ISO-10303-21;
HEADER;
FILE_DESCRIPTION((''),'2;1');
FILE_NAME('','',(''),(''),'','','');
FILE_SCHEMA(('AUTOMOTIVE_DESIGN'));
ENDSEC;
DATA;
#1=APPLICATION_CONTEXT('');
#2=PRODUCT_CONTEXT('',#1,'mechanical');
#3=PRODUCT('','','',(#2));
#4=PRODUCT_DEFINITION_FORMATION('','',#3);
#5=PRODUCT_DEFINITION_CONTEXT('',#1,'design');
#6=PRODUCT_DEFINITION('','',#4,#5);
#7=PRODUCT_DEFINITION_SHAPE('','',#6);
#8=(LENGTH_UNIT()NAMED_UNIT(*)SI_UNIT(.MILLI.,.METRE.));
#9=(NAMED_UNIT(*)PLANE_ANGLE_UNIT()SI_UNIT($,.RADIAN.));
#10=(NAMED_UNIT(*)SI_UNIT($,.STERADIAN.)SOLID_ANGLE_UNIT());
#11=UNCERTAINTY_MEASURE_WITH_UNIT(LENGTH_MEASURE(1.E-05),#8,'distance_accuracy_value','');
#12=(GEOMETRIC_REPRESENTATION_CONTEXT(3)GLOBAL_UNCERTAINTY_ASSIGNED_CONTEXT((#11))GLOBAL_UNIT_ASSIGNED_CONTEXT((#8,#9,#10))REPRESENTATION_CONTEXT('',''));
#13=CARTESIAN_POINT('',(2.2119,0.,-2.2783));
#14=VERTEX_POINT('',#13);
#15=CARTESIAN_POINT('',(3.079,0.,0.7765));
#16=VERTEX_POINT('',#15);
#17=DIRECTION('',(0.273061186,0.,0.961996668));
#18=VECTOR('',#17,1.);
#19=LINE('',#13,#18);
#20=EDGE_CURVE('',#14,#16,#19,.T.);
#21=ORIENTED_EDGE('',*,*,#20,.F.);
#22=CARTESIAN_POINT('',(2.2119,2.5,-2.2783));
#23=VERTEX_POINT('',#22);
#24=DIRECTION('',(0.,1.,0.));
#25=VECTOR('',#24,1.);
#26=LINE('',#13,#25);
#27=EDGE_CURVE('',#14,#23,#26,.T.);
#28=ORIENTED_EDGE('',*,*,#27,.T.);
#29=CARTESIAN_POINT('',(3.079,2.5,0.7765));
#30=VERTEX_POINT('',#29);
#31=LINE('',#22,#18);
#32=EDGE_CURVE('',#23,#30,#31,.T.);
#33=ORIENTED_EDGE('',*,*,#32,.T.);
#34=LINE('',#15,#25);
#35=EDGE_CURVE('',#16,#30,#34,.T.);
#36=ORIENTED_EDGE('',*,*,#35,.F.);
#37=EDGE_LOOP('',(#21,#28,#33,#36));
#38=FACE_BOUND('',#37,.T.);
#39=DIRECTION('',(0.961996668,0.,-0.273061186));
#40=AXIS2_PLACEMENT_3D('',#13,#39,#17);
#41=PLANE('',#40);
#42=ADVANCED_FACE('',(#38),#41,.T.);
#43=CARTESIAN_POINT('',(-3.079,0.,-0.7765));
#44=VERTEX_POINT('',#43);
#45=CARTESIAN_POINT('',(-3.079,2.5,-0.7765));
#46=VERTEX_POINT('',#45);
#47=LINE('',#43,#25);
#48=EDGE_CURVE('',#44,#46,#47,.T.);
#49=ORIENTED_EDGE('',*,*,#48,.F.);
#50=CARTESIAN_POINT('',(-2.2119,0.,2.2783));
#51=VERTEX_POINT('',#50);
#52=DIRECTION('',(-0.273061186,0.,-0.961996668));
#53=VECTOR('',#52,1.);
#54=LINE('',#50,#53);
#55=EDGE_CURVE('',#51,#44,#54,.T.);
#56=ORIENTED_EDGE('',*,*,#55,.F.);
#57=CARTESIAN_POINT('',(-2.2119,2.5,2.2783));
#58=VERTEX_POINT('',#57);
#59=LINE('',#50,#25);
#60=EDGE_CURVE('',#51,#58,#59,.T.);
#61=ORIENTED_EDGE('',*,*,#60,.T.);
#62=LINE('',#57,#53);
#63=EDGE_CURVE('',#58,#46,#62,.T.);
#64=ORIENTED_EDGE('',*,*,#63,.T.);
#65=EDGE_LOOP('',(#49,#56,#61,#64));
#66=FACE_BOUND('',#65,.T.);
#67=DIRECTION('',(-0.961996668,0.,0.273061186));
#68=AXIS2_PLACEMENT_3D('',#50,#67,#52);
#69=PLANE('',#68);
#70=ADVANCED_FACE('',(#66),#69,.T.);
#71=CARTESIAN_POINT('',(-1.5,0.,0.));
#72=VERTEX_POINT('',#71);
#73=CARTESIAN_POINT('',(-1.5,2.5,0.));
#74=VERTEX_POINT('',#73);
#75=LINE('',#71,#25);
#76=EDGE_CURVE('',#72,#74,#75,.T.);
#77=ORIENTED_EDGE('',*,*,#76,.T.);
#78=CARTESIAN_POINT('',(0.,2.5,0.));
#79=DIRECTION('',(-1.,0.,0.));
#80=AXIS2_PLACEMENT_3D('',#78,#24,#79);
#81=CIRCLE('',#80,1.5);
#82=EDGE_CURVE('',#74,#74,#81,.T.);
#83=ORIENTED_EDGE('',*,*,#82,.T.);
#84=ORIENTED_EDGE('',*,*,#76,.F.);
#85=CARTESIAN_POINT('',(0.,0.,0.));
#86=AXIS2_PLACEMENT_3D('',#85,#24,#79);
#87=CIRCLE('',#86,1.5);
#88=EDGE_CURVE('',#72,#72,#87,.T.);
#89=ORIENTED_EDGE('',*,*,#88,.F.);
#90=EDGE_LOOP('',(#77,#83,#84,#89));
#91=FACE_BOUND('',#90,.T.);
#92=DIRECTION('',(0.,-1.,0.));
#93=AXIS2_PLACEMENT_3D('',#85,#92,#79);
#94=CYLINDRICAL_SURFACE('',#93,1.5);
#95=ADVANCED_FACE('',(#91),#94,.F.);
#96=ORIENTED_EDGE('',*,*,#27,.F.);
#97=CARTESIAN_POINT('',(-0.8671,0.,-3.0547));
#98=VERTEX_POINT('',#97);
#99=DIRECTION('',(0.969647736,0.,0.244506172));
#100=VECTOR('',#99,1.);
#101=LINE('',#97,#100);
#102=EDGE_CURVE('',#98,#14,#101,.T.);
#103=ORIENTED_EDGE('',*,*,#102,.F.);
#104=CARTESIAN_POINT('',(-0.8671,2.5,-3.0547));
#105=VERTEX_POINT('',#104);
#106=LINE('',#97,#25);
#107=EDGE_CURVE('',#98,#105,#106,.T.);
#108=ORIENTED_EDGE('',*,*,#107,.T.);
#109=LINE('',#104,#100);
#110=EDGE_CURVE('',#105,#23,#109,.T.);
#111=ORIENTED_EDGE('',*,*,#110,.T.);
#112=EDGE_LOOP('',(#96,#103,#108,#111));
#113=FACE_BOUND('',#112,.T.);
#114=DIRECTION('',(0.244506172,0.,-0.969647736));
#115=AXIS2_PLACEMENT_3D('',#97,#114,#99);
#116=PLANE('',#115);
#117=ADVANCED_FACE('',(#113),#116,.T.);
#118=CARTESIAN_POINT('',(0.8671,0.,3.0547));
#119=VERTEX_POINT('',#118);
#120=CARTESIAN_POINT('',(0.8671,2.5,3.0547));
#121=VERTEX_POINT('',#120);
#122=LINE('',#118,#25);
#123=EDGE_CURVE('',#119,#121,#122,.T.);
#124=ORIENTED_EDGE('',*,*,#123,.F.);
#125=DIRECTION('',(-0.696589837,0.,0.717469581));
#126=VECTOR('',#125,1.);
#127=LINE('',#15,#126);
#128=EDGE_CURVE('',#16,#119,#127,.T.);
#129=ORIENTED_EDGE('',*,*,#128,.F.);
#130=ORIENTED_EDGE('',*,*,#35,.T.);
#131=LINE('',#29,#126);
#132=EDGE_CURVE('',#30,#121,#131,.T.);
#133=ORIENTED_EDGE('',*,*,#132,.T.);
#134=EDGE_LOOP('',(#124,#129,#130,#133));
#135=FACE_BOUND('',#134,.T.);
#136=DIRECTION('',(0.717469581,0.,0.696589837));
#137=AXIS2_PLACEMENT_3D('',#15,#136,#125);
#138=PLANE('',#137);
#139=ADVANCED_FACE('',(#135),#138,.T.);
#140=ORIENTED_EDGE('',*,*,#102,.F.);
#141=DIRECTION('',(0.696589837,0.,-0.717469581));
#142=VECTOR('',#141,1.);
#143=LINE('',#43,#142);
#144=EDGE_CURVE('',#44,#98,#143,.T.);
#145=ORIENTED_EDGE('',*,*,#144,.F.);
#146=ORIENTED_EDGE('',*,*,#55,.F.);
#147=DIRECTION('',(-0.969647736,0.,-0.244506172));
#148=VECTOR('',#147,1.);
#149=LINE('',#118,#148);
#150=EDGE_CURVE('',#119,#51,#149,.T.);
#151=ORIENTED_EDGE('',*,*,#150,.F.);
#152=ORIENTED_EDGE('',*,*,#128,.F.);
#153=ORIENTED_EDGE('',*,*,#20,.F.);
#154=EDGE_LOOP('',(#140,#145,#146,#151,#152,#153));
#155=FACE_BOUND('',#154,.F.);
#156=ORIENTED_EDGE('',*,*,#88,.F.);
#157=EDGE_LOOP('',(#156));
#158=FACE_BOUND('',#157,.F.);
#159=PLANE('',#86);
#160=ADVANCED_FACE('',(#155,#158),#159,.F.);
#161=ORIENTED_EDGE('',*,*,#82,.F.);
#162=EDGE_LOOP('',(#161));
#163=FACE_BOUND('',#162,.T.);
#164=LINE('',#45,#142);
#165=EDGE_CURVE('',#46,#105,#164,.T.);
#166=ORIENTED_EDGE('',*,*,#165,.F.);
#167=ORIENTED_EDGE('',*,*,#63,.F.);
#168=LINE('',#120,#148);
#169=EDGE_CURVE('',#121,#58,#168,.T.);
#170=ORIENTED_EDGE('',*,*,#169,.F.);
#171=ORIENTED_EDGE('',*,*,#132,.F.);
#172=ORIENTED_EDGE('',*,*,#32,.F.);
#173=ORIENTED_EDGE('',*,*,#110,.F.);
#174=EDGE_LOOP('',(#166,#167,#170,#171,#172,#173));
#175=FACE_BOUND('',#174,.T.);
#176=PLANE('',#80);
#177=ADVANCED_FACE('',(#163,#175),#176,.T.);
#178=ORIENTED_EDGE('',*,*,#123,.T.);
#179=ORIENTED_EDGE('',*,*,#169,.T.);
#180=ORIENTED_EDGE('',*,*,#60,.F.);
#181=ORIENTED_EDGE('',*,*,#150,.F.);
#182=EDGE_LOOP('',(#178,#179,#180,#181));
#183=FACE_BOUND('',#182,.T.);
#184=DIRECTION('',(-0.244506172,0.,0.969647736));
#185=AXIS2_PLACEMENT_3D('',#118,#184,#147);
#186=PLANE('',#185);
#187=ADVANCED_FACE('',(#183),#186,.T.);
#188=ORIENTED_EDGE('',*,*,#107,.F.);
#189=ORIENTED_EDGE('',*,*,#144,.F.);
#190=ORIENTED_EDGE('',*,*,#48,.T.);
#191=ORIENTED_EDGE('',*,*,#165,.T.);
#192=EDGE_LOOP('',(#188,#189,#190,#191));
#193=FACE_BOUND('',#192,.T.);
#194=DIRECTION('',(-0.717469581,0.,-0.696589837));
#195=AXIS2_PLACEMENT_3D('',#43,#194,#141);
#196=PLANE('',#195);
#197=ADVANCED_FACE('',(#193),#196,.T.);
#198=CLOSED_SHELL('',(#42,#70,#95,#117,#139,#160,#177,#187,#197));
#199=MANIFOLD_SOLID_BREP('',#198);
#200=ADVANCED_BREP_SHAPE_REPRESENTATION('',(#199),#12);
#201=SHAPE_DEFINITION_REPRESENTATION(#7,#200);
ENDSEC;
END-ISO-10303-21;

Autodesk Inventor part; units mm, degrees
ref_plane "YZ Plane" through (0, 0, 0) normal (1, 0, 0) x (0, 1, 0)
ref_plane "XZ Plane" through (0, 0, 0) normal (0, 1, 0) x (-1, 0, 0)
ref_plane "XY Plane" through (0, 0, 0) normal (0, 0, 1) x (1, 0, 0)
sketch "Sketch1" plane through (0, 0, 0) normal (0, 1, 0) x (-1, 0, 0)
  line L0 (3.079, -0.7765) -> (0.8671, -3.0547)
  line L1 (0.8671, -3.0547) -> (-2.2119, -2.2783)
  line L2 (-2.2119, -2.2783) -> (-3.079, 0.7765)
  line L3 (-3.079, 0.7765) -> (-0.8671, 3.0547)
  line L4 (-0.8671, 3.0547) -> (2.2119, 2.2783)
  line L5 (2.2119, 2.2783) -> (3.079, -0.7765)
  circle A0 centre (0, 0) radius 1.5
  dimension "d0" = 5.5
  dimension "d1" = 3
extrude "Extrusion1" add sketch "Sketch1" along normal blind 2.5
properties part number "nut"
